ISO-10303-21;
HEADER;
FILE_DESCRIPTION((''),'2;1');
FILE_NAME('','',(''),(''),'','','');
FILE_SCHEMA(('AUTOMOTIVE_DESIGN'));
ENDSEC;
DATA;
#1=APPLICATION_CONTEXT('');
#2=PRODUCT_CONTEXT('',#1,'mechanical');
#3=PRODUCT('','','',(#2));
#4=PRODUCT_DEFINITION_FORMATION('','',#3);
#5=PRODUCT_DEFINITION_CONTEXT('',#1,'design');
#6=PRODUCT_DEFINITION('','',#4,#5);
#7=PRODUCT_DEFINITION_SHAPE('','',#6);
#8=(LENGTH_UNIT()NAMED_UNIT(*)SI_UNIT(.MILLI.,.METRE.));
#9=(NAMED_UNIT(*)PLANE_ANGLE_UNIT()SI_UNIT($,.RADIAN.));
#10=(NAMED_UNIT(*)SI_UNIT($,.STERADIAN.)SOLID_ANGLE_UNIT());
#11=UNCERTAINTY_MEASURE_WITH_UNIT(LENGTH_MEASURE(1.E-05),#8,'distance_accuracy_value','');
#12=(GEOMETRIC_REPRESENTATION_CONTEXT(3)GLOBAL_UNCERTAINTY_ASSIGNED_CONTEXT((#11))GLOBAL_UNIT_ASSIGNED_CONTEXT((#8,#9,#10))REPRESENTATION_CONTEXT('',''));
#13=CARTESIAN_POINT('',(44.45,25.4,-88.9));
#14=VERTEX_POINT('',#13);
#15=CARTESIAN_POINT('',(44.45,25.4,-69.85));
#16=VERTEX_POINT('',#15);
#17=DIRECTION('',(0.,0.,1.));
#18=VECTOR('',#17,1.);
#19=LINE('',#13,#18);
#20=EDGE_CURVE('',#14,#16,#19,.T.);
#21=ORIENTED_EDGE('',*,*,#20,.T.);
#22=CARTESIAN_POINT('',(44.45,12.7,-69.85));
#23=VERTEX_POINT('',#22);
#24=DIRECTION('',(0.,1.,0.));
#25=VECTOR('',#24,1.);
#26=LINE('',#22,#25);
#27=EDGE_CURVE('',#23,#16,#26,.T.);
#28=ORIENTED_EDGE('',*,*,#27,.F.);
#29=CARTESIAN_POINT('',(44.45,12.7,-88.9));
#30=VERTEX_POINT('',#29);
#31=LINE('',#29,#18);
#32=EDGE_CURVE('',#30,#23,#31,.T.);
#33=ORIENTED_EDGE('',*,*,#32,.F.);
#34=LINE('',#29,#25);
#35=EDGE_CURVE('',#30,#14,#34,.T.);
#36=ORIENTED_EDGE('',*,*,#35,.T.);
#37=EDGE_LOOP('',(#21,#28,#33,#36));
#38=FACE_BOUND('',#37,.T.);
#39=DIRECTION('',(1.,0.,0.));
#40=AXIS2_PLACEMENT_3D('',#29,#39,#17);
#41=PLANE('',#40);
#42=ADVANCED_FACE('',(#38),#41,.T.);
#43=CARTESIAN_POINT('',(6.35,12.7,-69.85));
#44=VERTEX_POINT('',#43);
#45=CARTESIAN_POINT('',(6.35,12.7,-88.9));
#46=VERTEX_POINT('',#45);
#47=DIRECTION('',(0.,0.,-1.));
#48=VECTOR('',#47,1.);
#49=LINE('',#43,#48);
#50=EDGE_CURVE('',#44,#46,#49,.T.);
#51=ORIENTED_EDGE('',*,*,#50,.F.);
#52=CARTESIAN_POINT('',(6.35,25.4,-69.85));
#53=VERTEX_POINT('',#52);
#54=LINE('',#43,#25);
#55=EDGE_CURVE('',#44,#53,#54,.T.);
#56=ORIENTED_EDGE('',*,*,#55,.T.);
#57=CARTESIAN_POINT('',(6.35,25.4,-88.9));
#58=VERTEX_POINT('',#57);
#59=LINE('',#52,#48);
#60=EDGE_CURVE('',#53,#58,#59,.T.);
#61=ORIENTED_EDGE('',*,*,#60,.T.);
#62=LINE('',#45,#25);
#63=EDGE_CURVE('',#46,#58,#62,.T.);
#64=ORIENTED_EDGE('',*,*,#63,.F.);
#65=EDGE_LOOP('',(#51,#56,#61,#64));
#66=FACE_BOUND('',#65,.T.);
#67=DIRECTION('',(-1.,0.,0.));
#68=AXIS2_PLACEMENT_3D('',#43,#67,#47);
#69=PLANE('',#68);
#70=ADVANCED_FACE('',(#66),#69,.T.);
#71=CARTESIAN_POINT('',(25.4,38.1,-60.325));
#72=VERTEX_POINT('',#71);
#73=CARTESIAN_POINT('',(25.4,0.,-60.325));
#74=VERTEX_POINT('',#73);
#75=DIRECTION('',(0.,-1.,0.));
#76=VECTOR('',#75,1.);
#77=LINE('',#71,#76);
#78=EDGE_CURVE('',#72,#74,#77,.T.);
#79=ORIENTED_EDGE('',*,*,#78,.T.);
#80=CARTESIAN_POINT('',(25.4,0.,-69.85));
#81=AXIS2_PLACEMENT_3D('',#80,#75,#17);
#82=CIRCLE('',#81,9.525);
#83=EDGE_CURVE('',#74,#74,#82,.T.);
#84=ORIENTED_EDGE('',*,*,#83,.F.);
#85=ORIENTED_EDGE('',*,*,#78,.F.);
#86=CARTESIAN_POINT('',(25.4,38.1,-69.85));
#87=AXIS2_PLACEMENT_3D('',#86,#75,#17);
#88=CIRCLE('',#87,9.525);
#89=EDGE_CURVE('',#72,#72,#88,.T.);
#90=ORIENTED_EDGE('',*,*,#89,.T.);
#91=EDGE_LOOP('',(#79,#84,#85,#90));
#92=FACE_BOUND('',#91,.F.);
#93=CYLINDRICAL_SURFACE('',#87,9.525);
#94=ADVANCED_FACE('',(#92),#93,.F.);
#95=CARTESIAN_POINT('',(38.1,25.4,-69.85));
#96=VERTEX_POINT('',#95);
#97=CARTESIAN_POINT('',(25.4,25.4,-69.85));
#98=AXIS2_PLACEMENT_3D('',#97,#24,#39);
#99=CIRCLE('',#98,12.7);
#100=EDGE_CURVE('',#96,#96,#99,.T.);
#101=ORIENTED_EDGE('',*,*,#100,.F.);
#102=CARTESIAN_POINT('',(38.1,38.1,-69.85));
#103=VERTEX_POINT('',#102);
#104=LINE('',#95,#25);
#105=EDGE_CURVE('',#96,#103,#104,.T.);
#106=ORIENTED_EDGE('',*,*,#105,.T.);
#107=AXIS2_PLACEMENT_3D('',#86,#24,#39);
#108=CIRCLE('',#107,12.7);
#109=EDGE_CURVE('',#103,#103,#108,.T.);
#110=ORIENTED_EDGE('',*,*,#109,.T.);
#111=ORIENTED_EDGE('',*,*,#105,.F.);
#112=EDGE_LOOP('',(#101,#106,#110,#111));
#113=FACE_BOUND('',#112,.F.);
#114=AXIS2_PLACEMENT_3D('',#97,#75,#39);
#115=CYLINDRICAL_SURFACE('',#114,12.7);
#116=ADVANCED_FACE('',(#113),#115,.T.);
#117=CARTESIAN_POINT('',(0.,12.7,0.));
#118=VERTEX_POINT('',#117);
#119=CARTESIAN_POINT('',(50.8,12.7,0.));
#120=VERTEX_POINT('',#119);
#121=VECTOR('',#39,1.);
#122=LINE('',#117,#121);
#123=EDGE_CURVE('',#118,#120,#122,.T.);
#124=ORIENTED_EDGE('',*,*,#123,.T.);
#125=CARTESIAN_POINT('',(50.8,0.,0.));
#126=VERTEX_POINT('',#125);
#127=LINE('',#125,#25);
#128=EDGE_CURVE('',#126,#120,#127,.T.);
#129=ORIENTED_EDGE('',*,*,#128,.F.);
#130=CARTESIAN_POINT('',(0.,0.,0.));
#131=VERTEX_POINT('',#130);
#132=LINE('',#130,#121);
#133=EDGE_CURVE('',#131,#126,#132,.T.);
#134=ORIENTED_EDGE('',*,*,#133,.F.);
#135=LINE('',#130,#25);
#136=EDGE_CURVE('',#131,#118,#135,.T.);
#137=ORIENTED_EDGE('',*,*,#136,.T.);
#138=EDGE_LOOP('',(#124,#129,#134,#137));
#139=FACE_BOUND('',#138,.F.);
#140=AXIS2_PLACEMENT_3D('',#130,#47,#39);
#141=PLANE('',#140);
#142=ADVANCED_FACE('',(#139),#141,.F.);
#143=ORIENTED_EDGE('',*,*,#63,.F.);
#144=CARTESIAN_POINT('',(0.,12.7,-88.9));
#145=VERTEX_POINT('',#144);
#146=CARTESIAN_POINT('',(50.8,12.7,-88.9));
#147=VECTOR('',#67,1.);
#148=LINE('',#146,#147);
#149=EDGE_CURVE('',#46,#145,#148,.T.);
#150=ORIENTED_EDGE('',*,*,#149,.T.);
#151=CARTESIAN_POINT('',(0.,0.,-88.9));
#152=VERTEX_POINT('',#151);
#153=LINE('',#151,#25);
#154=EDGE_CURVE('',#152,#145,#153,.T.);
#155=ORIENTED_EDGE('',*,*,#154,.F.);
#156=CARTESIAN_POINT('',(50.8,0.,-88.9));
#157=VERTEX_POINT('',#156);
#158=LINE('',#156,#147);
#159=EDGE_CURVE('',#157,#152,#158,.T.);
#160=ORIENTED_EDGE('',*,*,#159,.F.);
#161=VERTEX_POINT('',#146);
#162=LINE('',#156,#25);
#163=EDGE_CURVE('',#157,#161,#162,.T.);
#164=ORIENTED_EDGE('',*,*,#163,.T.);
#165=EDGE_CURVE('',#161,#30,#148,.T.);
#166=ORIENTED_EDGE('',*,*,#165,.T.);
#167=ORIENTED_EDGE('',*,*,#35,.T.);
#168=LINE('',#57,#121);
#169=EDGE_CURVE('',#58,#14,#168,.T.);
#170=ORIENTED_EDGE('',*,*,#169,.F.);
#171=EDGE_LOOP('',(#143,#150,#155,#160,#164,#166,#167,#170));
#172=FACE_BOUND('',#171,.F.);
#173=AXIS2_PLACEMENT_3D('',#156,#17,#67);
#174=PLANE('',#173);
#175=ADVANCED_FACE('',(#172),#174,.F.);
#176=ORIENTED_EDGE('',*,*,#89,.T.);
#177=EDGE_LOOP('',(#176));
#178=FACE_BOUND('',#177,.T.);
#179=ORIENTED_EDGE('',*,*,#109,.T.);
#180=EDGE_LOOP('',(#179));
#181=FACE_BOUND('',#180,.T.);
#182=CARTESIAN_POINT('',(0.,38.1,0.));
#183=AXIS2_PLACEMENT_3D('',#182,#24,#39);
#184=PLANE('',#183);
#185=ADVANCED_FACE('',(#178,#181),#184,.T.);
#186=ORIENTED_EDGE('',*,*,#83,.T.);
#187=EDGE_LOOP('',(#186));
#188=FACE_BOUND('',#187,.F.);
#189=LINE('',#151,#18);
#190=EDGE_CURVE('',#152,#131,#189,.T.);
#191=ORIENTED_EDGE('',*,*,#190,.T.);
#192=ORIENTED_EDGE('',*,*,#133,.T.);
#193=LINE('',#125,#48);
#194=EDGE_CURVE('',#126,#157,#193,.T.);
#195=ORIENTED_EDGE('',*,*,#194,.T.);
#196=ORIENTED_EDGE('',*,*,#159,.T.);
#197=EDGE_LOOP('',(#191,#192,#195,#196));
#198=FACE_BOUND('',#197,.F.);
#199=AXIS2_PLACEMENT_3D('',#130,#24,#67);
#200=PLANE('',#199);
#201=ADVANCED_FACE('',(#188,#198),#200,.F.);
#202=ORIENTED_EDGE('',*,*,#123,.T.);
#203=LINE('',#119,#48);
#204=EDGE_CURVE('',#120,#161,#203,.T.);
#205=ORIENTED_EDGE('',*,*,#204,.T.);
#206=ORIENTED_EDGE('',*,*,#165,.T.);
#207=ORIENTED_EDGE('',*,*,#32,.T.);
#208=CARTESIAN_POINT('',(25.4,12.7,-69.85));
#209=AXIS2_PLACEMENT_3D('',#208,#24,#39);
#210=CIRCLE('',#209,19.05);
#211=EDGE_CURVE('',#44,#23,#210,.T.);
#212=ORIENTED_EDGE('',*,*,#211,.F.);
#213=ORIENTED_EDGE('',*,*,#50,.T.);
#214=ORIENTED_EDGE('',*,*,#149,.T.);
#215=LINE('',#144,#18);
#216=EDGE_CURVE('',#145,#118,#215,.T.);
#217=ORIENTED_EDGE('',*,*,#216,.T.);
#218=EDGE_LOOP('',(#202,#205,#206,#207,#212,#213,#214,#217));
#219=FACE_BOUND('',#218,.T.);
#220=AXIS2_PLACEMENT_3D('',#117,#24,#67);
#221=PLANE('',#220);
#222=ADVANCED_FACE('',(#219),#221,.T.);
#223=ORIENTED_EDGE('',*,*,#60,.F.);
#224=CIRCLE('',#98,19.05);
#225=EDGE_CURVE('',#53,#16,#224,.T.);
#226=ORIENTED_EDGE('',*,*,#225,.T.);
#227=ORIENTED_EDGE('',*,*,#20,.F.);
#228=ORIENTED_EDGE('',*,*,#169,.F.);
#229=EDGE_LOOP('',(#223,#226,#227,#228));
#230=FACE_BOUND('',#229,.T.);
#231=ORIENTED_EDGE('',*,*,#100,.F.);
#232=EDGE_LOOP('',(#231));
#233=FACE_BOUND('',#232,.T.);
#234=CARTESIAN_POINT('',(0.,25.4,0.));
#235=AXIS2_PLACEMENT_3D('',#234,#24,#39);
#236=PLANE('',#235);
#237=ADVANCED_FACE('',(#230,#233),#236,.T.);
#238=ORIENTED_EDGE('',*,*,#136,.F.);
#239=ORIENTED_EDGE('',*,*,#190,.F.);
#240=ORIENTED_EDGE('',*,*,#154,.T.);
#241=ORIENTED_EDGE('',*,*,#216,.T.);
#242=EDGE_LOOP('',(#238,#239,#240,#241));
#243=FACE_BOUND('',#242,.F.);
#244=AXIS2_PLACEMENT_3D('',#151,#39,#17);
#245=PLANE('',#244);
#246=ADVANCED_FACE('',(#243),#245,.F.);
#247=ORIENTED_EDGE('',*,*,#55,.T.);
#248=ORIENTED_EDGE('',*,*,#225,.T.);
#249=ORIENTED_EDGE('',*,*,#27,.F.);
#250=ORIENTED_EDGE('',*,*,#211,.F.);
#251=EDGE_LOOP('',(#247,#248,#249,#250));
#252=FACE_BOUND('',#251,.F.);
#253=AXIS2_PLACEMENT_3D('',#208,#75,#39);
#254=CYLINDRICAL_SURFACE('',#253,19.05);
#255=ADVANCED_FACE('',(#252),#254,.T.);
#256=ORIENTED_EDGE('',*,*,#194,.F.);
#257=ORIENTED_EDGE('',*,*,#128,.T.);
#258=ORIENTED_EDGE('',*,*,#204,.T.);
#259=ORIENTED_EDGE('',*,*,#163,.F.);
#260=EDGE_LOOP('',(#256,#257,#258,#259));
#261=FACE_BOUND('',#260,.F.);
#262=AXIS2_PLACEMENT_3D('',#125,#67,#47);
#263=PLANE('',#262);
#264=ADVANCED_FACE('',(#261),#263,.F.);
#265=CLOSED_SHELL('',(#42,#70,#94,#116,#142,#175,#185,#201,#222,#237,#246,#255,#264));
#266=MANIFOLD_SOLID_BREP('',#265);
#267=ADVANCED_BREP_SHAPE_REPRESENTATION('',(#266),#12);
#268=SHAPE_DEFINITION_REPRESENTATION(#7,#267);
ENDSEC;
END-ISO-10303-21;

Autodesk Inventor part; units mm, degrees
ref_plane "YZ Plane" through (0, 0, 0) normal (1, 0, 0) x (0, 1, 0)
ref_plane "XZ Plane" through (0, 0, 0) normal (0, 1, 0) x (-1, 0, 0)
ref_plane "XY Plane" through (0, 0, 0) normal (0, 0, 1) x (1, 0, 0)
sketch "Sketch1" plane through (0, 0, 0) normal (0, 1, 0) x (-1, 0, 0)
  line L0 (0, 0) -> (-50.8, 0)
  line L1 (-50.8, 0) -> (-50.8, -88.9)
  line L2 (-50.8, -88.9) -> (0, -88.9)
  line L3 (0, -88.9) -> (0, 0)
  dimension "d0" = 50.8
  dimension "d1" = 88.9
extrude "Extrusion1" add sketch "Sketch1" along normal blind 12.7
sketch "Sketch2" plane through (0, 12.7, 0) normal (0, 1, 0) x (1, 0, 0)
  line L0 (50.8, 0) -> (50.8, 88.9) projected
  line L1 (50.8, 88.9) -> (0, 88.9) projected
  line L2 (0, 88.9) -> (0, 0) projected
  line L3 (6.35, 88.9) -> (44.45, 88.9)
  line L4 (44.45, 88.9) -> (44.45, 69.85)
  line L5 (44.45, 69.85) -> (6.35, 69.85)
  line L6 (6.35, 69.85) -> (6.35, 88.9)
  line L7 (6.35, 79.375) -> (0, 79.375) construction
  line L8 (44.45, 79.375) -> (50.8, 79.375) construction
  circle A0 centre (25.4, 69.85) radius 19.05
  dimension "d4" = 19.05
  dimension "d5" = 6.35
extrude "Extrusion2" add sketch "Sketch2" along normal blind 12.7
sketch "Sketch3" plane through (0, 25.4, 0) normal (0, 1, 0) x (1, 0, 0)
  arc A0 (6.35, 69.85) -> (44.45, 69.85) centre (25.4, 69.85) ccw projected
  circle A1 centre (25.4, 69.85) radius 12.7
  point P0 (0, 0)
  dimension "d8" = 25.4
extrude "Extrusion3" add sketch "Sketch3" along normal blind 12.7
sketch "Sketch6" plane through (0, 12.7, 0) normal (0, 1, 0) x (1, 0, 0)
  line L0 (44.45, 88.9) -> (44.45, 69.85) projected
  arc A0 (6.35, 69.85) -> (44.45, 69.85) centre (25.4, 69.85) ccw projected
  line L1 (6.35, 69.85) -> (6.35, 88.9) projected
  line L2 (6.35, 88.9) -> (0, 88.9) projected
  line L3 (0, 88.9) -> (0, 0) projected
  line L4 (0, 0) -> (50.8, 0) projected
  line L5 (50.8, 0) -> (50.8, 88.9) projected
  line L6 (50.8, 88.9) -> (44.45, 88.9) projected
  line L7 (44.45, 88.9) -> (44.45, 6.35) construction
  line L8 (44.45, 6.35) -> (6.35, 6.35) construction
  line L9 (6.35, 6.35) -> (6.35, 88.9) construction
  line L10 (6.35, 38.1) -> (44.45, 38.1) construction
  dimension "d35" = 6.35
  dimension "d36" = 31.75
sketch "Sketch7" plane through (25.4, 38.1, -69.85) normal (0, 1, 0) x (1, 0, 0)
  circle A0 centre (0, 0) radius 12.7 projected
  point P0 (-25.4, -69.85)
hole "Hole3" at (25.4, 38.1, -69.85) direction (0, -1, 0) diameter 19.05 end through all
properties part number "Holes"
